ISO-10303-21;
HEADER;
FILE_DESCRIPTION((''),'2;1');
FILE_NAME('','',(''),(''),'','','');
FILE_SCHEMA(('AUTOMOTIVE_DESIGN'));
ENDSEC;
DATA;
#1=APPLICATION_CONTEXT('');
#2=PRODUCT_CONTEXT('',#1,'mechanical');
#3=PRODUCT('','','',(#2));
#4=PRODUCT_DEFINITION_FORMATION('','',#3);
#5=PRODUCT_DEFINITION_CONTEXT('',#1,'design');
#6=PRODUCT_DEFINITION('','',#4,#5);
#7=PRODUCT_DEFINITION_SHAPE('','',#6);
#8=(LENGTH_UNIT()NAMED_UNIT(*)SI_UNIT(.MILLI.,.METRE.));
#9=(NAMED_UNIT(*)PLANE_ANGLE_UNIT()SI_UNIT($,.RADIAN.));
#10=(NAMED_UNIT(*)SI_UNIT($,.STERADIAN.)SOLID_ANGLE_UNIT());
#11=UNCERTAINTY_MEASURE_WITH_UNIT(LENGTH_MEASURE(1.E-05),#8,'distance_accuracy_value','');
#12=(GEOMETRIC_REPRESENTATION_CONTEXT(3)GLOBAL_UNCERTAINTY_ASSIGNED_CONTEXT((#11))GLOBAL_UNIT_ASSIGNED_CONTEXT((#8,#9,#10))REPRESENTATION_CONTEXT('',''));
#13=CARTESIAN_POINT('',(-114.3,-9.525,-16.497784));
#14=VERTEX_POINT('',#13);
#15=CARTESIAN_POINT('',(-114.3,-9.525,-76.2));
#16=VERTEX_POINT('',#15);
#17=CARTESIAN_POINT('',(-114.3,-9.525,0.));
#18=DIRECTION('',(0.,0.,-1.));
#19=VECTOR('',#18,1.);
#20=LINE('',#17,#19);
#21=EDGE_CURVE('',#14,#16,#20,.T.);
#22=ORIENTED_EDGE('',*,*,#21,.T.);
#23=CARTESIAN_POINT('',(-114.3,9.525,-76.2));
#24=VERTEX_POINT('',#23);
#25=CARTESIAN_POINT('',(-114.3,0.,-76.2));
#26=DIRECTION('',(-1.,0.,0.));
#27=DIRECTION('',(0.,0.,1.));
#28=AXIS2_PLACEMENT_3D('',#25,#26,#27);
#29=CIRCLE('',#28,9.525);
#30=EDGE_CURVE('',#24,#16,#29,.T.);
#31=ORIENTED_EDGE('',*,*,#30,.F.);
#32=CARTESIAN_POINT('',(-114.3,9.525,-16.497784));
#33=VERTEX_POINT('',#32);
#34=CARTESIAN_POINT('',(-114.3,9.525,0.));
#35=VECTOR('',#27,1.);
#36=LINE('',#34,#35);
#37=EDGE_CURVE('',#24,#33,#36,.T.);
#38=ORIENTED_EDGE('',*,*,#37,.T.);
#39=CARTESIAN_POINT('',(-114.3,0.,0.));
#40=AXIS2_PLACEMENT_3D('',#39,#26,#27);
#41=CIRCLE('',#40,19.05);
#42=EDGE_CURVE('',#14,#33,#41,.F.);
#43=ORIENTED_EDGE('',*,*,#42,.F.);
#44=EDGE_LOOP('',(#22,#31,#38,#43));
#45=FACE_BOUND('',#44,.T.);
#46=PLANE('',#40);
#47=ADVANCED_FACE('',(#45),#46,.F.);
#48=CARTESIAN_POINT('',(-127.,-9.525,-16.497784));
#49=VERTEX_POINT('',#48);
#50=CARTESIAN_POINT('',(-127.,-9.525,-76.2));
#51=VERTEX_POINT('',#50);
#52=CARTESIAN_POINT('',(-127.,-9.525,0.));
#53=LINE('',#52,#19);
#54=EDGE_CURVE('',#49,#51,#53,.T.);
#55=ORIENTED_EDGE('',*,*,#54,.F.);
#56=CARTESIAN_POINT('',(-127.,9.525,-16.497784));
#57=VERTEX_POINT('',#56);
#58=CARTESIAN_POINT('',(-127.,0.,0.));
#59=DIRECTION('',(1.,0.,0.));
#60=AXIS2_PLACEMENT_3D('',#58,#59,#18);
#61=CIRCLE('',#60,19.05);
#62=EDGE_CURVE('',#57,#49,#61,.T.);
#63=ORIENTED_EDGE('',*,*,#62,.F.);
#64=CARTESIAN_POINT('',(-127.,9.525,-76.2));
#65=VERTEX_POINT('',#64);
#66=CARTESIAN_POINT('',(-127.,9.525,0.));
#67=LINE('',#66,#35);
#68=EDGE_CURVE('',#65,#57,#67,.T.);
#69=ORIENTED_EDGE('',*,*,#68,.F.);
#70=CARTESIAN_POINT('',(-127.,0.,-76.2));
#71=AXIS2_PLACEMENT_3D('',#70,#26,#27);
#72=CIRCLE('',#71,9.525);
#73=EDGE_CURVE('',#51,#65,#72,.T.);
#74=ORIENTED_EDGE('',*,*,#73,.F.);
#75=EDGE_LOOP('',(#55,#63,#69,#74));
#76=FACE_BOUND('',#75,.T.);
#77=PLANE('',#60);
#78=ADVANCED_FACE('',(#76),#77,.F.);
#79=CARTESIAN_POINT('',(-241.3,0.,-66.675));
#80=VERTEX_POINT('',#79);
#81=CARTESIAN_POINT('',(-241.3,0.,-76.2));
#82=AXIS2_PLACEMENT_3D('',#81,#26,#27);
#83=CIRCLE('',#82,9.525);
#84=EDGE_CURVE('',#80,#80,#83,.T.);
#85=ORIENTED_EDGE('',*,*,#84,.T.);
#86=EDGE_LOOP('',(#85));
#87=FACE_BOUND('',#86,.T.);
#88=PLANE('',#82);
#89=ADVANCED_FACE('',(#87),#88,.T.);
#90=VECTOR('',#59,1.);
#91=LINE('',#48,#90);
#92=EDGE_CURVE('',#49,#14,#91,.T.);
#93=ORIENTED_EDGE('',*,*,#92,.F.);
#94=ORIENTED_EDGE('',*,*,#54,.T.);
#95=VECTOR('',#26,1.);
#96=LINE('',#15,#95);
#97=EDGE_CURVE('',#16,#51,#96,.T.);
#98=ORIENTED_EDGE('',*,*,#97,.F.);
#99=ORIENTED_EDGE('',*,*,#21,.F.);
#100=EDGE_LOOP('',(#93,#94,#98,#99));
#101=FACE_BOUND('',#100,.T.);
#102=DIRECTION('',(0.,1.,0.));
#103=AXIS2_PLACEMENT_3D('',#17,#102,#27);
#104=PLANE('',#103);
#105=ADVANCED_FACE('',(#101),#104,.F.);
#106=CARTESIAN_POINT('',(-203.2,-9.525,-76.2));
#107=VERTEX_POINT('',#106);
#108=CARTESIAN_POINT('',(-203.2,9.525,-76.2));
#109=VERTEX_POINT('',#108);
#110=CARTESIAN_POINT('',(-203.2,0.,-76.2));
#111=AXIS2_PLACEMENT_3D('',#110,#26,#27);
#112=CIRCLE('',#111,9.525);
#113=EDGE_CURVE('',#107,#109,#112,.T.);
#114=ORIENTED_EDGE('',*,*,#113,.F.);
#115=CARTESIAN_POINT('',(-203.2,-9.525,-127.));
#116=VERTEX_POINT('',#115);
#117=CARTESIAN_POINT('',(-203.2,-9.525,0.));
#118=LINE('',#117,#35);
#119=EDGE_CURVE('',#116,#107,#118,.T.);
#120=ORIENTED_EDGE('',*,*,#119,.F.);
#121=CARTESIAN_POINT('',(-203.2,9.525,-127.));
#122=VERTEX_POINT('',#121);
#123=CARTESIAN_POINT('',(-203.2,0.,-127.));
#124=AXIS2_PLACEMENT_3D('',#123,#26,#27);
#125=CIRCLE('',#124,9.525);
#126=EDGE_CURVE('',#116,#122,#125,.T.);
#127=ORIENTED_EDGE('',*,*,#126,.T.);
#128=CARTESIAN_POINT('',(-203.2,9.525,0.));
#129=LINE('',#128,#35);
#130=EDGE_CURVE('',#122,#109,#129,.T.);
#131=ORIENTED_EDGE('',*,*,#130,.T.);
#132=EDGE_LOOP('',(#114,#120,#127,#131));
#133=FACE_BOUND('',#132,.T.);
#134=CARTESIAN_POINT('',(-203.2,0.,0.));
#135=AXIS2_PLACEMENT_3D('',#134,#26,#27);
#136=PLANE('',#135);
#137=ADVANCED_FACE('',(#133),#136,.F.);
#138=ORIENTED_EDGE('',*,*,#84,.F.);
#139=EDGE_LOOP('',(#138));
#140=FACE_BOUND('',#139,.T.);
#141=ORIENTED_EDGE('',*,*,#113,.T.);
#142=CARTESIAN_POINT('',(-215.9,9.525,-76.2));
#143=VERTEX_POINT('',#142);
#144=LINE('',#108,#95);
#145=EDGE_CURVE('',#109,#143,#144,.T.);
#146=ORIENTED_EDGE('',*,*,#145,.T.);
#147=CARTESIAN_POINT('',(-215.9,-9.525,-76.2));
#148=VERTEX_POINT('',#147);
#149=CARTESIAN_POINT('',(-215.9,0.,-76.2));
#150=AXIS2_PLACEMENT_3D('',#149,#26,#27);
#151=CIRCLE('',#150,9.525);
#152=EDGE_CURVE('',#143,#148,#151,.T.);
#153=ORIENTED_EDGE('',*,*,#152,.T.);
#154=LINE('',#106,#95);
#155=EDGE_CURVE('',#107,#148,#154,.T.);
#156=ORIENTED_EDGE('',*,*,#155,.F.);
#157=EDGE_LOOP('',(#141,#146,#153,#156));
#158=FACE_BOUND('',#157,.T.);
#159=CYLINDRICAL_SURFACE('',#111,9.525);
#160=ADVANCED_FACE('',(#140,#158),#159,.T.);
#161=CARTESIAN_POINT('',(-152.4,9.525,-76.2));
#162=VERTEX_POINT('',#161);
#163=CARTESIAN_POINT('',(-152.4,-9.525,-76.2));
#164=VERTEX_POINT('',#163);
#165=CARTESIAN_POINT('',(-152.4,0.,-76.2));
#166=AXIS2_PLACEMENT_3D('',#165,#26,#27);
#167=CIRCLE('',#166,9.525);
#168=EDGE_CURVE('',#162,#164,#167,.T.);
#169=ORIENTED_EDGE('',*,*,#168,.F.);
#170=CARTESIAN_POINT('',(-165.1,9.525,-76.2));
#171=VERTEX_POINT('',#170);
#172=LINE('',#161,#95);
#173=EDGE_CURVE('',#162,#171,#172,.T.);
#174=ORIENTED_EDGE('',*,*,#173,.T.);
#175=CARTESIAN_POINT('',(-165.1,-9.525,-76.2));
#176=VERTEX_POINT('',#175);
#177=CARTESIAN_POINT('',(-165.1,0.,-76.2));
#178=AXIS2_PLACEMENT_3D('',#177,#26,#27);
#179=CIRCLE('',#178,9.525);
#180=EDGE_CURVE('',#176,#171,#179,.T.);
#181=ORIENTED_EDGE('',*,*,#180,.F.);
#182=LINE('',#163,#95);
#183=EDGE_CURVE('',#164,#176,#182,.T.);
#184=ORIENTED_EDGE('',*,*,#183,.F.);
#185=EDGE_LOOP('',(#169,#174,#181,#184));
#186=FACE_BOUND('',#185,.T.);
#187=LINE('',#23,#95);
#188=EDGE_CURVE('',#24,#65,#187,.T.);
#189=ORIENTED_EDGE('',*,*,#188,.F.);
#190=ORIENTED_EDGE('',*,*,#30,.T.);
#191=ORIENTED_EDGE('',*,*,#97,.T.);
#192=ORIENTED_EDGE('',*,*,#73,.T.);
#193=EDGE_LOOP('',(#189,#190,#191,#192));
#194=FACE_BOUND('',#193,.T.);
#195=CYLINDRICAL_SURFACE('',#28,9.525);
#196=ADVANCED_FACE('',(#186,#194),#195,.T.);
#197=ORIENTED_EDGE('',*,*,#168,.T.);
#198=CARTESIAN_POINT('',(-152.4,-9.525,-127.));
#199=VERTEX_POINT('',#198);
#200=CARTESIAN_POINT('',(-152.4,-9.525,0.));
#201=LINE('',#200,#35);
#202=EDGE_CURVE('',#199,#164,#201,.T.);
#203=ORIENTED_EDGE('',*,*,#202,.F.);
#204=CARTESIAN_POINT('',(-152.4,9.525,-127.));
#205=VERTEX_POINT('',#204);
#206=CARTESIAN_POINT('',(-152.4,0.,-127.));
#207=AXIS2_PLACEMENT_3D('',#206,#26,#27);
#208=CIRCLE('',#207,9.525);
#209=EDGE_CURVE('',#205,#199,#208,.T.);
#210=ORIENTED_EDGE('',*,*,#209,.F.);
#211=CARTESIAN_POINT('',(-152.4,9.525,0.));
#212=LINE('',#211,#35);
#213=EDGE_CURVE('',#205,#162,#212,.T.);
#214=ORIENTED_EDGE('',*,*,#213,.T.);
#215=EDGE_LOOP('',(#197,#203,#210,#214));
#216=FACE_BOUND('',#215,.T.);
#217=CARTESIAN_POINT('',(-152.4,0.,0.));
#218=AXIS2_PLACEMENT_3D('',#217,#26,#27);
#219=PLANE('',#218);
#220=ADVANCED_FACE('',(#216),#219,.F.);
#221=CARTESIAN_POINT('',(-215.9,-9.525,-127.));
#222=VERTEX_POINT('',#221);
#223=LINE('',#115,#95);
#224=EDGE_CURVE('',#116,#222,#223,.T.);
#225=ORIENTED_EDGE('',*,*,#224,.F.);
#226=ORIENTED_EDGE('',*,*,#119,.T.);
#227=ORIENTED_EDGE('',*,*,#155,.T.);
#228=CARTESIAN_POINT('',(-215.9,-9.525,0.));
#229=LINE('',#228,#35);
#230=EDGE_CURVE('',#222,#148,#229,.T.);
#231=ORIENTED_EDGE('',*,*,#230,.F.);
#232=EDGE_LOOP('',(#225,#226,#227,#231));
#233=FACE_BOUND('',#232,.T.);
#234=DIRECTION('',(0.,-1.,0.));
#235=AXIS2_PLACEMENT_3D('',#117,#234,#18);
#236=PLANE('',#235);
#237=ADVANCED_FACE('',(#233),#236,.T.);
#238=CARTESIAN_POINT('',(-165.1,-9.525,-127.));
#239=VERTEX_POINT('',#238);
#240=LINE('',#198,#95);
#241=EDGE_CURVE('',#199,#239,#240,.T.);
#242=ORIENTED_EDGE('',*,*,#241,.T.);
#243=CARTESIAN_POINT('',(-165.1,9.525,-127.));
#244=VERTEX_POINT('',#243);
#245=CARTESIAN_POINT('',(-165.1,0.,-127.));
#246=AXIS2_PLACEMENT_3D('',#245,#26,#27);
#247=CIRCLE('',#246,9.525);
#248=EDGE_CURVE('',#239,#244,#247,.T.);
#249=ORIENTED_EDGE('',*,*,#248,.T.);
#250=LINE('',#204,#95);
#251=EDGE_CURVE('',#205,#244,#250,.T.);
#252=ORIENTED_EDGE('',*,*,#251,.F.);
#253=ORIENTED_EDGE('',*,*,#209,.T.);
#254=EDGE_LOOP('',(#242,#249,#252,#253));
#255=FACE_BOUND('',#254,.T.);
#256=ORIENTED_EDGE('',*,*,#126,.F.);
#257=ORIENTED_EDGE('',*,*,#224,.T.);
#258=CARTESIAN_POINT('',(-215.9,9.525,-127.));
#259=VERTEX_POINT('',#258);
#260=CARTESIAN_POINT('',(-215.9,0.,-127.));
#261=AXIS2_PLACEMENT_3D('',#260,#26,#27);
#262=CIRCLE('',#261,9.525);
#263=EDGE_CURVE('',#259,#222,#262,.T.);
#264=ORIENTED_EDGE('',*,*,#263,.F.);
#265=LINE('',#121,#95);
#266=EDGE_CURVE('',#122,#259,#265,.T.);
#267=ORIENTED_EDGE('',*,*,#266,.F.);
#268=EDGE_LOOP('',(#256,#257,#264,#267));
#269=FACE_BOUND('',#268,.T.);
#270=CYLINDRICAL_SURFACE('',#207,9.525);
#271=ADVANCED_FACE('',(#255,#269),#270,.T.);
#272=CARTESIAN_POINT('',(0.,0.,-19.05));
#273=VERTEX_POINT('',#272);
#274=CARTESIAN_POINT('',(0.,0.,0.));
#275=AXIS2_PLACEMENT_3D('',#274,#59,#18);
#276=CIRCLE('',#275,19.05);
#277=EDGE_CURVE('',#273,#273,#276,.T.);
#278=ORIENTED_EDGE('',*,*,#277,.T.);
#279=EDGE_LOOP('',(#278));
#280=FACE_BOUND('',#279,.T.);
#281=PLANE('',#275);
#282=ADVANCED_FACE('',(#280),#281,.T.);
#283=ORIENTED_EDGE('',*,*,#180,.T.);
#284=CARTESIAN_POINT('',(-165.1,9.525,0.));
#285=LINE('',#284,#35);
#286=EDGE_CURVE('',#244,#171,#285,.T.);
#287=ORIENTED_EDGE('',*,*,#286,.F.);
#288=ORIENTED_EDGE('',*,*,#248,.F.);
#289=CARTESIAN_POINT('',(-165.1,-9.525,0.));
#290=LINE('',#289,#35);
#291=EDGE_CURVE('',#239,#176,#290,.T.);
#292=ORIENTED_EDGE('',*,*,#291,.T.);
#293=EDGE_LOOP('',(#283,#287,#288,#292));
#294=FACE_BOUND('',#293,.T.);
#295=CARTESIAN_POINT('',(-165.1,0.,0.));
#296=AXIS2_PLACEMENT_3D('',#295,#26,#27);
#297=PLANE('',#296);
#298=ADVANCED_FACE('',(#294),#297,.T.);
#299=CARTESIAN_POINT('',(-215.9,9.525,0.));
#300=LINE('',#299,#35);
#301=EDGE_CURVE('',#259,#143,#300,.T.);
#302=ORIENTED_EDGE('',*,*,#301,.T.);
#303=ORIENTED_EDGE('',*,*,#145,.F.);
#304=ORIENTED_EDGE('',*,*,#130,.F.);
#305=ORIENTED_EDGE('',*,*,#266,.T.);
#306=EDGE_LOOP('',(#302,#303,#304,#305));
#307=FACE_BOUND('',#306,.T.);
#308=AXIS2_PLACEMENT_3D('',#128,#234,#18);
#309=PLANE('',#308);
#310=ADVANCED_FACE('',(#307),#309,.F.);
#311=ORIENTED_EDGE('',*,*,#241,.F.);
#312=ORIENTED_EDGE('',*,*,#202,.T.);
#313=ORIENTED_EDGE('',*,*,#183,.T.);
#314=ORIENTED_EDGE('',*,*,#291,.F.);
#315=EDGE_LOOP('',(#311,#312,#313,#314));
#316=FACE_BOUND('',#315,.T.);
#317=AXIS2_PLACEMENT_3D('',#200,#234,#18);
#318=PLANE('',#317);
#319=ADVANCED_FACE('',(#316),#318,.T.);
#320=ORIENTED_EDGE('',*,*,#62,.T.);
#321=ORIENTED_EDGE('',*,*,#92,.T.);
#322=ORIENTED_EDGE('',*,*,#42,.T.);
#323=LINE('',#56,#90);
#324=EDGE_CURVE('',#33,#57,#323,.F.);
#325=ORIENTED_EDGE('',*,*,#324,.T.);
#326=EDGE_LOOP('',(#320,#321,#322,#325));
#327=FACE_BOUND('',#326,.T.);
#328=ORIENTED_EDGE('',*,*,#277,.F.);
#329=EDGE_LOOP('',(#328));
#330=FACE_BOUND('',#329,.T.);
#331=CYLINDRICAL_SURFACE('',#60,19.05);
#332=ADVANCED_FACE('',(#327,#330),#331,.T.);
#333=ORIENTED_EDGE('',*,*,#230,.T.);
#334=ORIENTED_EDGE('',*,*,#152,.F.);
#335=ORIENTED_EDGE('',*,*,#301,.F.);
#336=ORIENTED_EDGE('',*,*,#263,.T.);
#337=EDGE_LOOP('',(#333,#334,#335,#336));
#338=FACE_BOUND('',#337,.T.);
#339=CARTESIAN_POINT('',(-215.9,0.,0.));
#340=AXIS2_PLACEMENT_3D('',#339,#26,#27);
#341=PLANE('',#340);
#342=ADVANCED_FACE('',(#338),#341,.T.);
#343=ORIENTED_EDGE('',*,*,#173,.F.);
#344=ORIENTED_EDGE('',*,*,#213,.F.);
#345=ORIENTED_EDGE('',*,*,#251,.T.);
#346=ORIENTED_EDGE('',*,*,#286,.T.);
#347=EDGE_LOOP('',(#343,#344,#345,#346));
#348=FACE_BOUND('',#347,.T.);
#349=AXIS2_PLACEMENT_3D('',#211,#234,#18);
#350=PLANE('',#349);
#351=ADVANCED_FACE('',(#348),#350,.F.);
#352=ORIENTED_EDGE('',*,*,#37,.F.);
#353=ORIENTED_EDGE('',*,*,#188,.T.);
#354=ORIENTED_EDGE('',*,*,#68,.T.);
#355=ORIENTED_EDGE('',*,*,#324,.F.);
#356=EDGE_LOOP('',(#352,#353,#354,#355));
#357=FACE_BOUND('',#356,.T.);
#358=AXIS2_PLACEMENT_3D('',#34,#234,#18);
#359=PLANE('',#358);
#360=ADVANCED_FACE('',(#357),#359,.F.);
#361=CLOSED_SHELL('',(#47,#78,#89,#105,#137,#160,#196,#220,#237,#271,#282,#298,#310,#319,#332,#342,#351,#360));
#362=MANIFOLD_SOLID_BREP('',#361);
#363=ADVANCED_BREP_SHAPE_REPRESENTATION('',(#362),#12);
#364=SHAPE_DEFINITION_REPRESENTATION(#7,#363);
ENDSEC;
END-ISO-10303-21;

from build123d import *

# Parameters (mm, degrees)
SKETCH1_R           = 19.05
BOSS_EXTRUDE1_DEPTH = 127
BOSS_EXTRUDE2_START = -12.7
SKETCH2_R           = 9.525000000000007
BOSS_EXTRUDE2_DEPTH = 12.7
SKETCH2_3_R         = 9.525000000000007
BOSS_EXTRUDE3_DEPTH = 38.1
BOSS_EXTRUDE4_START = -12.7
SKETCH3_R           = 9.525000000000007
BOSS_EXTRUDE4_DEPTH = 12.7
SKETCH3_3_R         = 9.525000000000007
BOSS_EXTRUDE5_DEPTH = 50.8
BOSS_EXTRUDE6_START = 38.099999999999994
SKETCH3_4_R         = 9.525000000000007
BOSS_EXTRUDE6_DEPTH = 12.7
BOSS_EXTRUDE7_START = 88.9
SKETCH2_4_R         = 9.525000000000007
BOSS_EXTRUDE7_DEPTH = 25.4


with BuildPart() as part:
    # Sketch1 → Boss-Extrude1 (new body)
    with BuildSketch(Plane(origin=(0, 0, 0), x_dir=(0, 0, -1), z_dir=(1, 0, 0))):
        Circle(SKETCH1_R)
    extrude(amount=-BOSS_EXTRUDE1_DEPTH)

    # Sketch2 → Boss-Extrude2 (add)
    with BuildSketch(Plane.ZY.offset(127).offset(BOSS_EXTRUDE2_START)):
        with BuildLine():
            Line((-16.497783942092994, 9.525000000000002), (-76.2, 9.525000000000007))
            ThreePointArc((-76.2, 9.525000000000007), (-69.46480790919813, 6.73519209080187), (-66.675, 0))
            ThreePointArc((-66.675, -2.33e-15), (-69.46480790919813, -6.735192090801872), (-76.2, -9.525000000000007))
            Line((-76.2, -9.525000000000007), (-16.497783942092994, -9.525000000000002))
            ThreePointArc((-16.49778394209321, -9.525000000000603), (-19.05, 2.33e-15), (-16.497783942093204, 9.525000000000615))
        make_face()
        with BuildLine():
            ThreePointArc((19.05, 0), (4.930502809203364, 18.400886990806658), (-16.497783942093204, 9.525000000000615))
            Line((-16.497783942092994, 9.525000000000002), (0, 9.525))
            Line((0, 9.525), (0, -9.525))
            Line((0, -9.525), (-16.497783942092994, -9.525000000000002))
            ThreePointArc((-16.49778394209321, -9.525000000000603), (4.930502809203355, -18.40088699080666), (19.05, -4.67e-15))
        make_face()
        with BuildLine():
            Line((0, 9.525), (-16.497783942092994, 9.525000000000002))
            ThreePointArc((-16.497783942093204, 9.525000000000615), (-19.05, 2.33e-15), (-16.49778394209321, -9.525000000000603))
            Line((-16.497783942092994, -9.525000000000002), (0, -9.525))
            Line((0, -9.525), (0, 9.525))
        make_face()
        with Locations((-76.2, 0)):
            Circle(SKETCH2_R)
    extrude(amount=BOSS_EXTRUDE2_DEPTH)

    # Sketch2<3> → Boss-Extrude3 (add)
    with BuildSketch(Plane.ZY.offset(127)):
        with Locations((-76.2, 0)):
            Circle(SKETCH2_3_R)
    extrude(amount=BOSS_EXTRUDE3_DEPTH)

    # Sketch3 → Boss-Extrude4 (add)
    with BuildSketch(Plane.ZY.offset(165.1).offset(BOSS_EXTRUDE4_START)):
        with BuildLine():
            Line((-76.2, 9.525000000000007), (-127, 9.525000000000007))
            ThreePointArc((-127, 9.525000000000007), (-120.26480790919813, 6.73519209080187), (-117.475, 0))
            ThreePointArc((-117.475, -2.33e-15), (-120.26480790919813, -6.735192090801872), (-127, -9.525000000000007))
            Line((-127, -9.525000000000007), (-76.2, -9.525000000000007))
            ThreePointArc((-76.2, -9.525000000000006), (-85.72500000000001, 1.17e-15), (-76.2, 9.525000000000006))
        make_face()
        with Locations((-127, 0)):
            Circle(SKETCH3_R)
    extrude(amount=BOSS_EXTRUDE4_DEPTH)

    # Sketch3<3> → Boss-Extrude5 (add)
    with BuildSketch(Plane.ZY.offset(165.1)):
        with Locations((-127, 0)):
            Circle(SKETCH3_3_R)
    extrude(amount=BOSS_EXTRUDE5_DEPTH)

    # Sketch3<4> → Boss-Extrude6 (add)
    with BuildSketch(Plane.ZY.offset(165.1).offset(BOSS_EXTRUDE6_START)):
        with BuildLine():
            Line((-76.2, 9.525000000000007), (-127, 9.525000000000007))
            ThreePointArc((-127, 9.525000000000007), (-120.26480790919813, 6.73519209080187), (-117.475, 0))
            ThreePointArc((-117.475, -2.33e-15), (-120.26480790919813, -6.735192090801872), (-127, -9.525000000000007))
            Line((-127, -9.525000000000007), (-76.2, -9.525000000000007))
            ThreePointArc((-76.2, -9.525000000000006), (-85.72500000000001, 1.17e-15), (-76.2, 9.525000000000006))
        make_face()
        with Locations(Location((-76.2, 0, 0), (0, 0, 90))):
            Circle(SKETCH3_4_R)
    extrude(amount=BOSS_EXTRUDE6_DEPTH)

    # Sketch2<4> → Boss-Extrude7 (add)
    with BuildSketch(Plane.ZY.offset(127).offset(BOSS_EXTRUDE7_START)):
        with Locations(Location((-76.2, 0, 0), (0, 0, 90))):
            Circle(SKETCH2_4_R)
    extrude(amount=BOSS_EXTRUDE7_DEPTH)


solid = part.part
